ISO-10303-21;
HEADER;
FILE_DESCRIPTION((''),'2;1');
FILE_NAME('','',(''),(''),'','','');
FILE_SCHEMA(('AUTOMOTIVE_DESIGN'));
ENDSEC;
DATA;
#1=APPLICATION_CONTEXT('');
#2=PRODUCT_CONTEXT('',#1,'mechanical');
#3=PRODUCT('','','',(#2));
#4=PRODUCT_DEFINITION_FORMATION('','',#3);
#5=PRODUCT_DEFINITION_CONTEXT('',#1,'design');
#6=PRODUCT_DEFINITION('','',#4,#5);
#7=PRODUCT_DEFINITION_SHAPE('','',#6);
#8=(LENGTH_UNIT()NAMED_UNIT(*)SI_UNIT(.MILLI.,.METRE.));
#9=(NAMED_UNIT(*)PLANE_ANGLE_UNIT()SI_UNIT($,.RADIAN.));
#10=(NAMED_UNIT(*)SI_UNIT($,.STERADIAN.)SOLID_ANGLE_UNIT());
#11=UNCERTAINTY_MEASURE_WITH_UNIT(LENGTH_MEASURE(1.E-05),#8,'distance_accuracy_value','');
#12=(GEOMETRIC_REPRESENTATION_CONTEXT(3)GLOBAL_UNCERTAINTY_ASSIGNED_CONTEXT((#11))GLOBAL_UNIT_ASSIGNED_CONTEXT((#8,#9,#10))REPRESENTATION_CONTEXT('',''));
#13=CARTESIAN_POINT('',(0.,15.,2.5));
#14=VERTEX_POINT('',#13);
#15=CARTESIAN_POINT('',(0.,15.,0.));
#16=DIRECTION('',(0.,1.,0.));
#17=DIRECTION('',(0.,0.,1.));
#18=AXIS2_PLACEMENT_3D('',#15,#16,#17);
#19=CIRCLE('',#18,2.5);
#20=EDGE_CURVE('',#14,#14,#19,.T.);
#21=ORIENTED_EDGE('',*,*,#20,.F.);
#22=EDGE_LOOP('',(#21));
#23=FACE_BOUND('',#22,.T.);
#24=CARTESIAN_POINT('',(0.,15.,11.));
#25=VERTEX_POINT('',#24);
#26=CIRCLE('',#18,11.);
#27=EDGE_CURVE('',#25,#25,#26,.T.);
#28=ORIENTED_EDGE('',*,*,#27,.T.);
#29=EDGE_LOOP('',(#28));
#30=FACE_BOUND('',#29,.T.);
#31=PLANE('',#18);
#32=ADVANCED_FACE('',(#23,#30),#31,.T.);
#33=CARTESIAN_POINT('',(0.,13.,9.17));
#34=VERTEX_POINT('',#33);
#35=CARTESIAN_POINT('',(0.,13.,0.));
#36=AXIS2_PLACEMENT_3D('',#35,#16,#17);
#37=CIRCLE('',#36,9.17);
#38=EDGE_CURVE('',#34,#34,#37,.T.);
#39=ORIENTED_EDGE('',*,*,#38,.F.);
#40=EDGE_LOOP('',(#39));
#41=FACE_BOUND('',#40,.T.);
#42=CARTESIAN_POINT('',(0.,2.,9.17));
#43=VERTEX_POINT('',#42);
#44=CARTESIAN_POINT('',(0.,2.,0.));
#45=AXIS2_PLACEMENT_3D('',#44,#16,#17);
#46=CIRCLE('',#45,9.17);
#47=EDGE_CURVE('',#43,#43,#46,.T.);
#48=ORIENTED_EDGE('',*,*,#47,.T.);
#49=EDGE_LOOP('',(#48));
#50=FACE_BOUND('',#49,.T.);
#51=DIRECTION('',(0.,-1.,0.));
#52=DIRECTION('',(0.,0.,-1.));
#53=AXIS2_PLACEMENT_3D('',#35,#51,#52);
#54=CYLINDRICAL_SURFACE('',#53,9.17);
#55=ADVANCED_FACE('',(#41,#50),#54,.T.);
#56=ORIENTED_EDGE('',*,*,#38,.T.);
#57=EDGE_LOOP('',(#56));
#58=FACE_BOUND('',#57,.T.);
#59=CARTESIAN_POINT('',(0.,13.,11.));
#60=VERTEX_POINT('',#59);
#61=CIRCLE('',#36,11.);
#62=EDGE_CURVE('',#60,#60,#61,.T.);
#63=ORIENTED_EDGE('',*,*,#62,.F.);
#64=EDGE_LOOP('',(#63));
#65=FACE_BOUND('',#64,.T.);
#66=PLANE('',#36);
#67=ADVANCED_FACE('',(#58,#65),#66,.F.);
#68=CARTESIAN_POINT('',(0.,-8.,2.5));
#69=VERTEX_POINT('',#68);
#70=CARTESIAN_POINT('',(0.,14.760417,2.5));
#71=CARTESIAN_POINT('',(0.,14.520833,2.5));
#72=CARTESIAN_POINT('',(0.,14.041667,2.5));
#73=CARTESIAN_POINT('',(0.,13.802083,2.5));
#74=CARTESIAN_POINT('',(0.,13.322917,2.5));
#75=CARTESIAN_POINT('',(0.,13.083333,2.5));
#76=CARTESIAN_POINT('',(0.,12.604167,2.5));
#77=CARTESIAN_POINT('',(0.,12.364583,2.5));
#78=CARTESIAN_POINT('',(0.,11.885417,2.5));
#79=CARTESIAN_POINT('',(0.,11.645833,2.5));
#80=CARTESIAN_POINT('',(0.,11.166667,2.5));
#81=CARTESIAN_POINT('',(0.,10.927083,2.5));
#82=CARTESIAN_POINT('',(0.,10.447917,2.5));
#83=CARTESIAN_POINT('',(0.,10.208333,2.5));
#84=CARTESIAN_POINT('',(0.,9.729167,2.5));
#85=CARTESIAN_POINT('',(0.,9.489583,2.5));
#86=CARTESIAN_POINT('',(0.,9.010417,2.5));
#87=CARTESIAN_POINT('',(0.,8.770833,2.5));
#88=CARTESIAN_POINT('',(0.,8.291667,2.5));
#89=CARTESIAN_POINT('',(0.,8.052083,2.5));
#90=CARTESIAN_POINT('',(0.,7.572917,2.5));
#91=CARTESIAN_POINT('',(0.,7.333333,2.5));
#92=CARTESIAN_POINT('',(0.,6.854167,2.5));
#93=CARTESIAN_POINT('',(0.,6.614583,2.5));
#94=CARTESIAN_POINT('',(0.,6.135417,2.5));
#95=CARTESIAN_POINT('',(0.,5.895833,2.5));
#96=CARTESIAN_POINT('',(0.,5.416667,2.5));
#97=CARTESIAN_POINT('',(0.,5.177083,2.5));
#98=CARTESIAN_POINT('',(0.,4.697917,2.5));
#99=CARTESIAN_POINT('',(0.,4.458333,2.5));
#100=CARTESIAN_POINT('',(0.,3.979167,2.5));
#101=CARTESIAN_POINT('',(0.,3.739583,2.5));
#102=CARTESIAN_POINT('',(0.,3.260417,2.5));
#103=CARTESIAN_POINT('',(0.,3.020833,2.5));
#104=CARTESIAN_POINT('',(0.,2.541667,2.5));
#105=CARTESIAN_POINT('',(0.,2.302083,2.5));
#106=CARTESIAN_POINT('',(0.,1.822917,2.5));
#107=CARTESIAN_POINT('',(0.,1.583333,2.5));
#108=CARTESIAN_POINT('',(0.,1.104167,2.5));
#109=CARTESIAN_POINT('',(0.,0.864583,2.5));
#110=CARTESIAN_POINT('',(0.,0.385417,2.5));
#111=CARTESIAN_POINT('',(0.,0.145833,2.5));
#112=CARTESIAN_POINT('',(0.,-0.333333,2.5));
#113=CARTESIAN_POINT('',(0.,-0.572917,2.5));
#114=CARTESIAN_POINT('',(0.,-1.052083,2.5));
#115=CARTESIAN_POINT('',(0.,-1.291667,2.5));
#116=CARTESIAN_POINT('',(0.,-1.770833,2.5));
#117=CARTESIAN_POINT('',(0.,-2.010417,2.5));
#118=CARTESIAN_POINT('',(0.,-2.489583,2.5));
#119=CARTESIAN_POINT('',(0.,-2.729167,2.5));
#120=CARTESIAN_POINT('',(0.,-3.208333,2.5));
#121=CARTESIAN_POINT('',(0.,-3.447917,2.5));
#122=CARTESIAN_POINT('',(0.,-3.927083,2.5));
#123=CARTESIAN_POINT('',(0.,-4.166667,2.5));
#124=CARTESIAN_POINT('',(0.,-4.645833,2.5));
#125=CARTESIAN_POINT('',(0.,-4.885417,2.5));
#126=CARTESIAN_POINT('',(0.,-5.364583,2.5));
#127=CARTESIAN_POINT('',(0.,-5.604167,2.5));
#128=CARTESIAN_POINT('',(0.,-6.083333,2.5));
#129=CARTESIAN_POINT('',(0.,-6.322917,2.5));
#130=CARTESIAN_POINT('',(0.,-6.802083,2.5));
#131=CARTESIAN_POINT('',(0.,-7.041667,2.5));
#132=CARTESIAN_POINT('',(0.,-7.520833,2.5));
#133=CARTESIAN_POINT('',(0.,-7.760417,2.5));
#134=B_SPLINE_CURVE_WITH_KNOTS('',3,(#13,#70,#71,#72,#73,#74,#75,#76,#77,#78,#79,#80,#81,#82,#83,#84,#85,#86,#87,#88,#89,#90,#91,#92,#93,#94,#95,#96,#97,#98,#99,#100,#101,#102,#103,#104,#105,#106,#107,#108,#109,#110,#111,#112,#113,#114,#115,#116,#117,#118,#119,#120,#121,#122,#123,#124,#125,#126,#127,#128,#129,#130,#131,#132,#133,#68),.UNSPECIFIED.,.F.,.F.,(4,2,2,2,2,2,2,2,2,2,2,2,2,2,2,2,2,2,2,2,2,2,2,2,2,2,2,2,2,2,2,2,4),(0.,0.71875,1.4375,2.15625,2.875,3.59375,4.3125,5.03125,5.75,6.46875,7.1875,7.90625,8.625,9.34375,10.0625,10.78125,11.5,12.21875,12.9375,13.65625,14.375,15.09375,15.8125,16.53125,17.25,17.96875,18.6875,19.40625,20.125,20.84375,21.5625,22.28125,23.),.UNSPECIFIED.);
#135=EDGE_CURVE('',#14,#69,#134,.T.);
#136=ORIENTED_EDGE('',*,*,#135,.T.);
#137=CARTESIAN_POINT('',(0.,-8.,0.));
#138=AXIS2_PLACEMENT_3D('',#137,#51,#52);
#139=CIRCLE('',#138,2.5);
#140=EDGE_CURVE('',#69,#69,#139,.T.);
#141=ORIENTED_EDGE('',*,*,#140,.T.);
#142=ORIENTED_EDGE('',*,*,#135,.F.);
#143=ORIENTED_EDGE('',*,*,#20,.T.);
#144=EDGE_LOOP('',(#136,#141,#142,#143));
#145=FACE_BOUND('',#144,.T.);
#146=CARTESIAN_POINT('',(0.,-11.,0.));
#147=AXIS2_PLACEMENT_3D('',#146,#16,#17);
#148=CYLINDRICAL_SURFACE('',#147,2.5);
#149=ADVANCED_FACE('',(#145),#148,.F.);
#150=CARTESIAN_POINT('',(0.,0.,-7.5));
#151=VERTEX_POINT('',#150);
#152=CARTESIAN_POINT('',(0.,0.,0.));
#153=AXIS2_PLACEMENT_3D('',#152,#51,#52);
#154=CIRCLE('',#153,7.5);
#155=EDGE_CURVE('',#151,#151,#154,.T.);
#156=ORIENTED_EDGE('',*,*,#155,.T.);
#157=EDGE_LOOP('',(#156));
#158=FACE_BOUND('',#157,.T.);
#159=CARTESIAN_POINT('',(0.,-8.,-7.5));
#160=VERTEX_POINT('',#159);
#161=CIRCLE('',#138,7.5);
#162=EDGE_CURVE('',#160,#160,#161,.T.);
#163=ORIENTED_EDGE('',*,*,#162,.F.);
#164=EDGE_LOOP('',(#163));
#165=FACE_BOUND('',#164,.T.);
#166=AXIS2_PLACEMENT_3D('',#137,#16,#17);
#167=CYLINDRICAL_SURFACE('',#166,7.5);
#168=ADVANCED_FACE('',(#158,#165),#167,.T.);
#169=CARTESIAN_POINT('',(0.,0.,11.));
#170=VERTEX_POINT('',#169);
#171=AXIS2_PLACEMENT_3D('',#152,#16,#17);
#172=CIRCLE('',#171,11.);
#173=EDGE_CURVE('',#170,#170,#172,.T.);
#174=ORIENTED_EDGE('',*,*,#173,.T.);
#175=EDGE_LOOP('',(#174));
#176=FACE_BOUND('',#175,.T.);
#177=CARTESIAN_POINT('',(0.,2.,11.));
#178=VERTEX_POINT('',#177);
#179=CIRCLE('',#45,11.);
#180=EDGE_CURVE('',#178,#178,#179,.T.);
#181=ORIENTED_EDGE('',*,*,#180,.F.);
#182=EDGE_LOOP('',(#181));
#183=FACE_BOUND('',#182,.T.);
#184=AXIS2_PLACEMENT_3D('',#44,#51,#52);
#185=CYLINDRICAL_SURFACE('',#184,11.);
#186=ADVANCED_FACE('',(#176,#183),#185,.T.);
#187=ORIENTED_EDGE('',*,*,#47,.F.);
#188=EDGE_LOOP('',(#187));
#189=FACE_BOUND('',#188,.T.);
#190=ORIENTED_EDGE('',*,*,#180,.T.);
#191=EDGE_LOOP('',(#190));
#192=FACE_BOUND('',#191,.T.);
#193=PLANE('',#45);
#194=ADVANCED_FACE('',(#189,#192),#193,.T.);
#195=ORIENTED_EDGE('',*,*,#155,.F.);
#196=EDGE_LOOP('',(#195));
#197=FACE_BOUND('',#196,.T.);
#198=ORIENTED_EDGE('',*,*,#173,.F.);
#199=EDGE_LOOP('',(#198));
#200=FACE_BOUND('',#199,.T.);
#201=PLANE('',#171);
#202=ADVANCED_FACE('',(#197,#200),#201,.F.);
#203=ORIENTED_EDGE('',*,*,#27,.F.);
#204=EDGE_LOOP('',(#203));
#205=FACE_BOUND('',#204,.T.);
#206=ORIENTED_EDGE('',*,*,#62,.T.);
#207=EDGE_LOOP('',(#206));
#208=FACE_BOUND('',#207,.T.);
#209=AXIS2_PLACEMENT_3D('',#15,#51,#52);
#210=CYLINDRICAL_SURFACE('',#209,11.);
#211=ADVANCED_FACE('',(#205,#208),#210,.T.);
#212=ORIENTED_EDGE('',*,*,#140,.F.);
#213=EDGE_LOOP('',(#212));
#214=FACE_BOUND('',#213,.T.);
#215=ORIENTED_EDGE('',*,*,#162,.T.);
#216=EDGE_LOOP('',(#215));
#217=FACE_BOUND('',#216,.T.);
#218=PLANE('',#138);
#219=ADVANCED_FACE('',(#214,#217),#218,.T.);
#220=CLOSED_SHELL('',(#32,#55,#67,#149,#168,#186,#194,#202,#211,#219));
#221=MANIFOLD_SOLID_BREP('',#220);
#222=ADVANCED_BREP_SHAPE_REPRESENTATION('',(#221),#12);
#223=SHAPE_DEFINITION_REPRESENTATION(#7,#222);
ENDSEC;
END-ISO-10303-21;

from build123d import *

# Parameters (mm, degrees)
SKETCH_1_R          = 11
EXTRUDE_1_DEPTH     = 2
SKETCH_2_R          = 9.17
EXTRUDE_2_DEPTH     = 11
SKETCH_3_R          = 11
EXTRUDE_3_DEPTH     = 2
SKETCH_4_R          = 2.5
CUT_EXTRUDE_1_DEPTH = 26
SKETCH_5_R          = 7.5
SKETCH_5_R_2        = 2.5
EXTRUDE_4_DEPTH     = 8


with BuildPart() as part:
    # 草图1 → 凸台-拉伸1 (new body)
    with BuildSketch(Plane(origin=(0, 0, 0), x_dir=(1, 0, 0), z_dir=(0, 1, 0))):
        with Locations(Location((0, 0, 0), (0, 0, 270))):
            Circle(SKETCH_1_R)
    extrude(amount=EXTRUDE_1_DEPTH)

    # 草图2 → 凸台-拉伸2 (add)
    with BuildSketch(Plane(origin=(0, 2, 0), x_dir=(1, 0, 0), z_dir=(0, 1, 0))):
        with Locations(Location((0, 0, 0), (0, 0, 270))):
            Circle(SKETCH_2_R)
    extrude(amount=EXTRUDE_2_DEPTH)

    # 草图3 → 凸台-拉伸3 (add)
    with BuildSketch(Plane(origin=(0, 13, 0), x_dir=(1, 0, 0), z_dir=(0, 1, 0))):
        with Locations(Location((0, 0, 0), (0, 0, 270))):
            Circle(SKETCH_3_R)
    extrude(amount=EXTRUDE_3_DEPTH)

    # 草图4 → 切除-拉伸1 (cut)
    with BuildSketch(Plane(origin=(0, 15, 0), x_dir=(1, 0, 0), z_dir=(0, 1, 0))):
        with Locations(Location((0, 0, 0), (0, 0, 270))):
            Circle(SKETCH_4_R)
    extrude(amount=-CUT_EXTRUDE_1_DEPTH, mode=Mode.SUBTRACT)

    # 草图5 → 凸台-拉伸4 (add)
    with BuildSketch(Plane.XZ):
        with Locations(Location((0, 0, 0), (0, 0, 270))):
            Circle(SKETCH_5_R)
        with Locations(Location((0, 0, 0), (0, 0, 90))):
            Circle(SKETCH_5_R_2, mode=Mode.SUBTRACT)
    extrude(amount=EXTRUDE_4_DEPTH)


solid = part.part
